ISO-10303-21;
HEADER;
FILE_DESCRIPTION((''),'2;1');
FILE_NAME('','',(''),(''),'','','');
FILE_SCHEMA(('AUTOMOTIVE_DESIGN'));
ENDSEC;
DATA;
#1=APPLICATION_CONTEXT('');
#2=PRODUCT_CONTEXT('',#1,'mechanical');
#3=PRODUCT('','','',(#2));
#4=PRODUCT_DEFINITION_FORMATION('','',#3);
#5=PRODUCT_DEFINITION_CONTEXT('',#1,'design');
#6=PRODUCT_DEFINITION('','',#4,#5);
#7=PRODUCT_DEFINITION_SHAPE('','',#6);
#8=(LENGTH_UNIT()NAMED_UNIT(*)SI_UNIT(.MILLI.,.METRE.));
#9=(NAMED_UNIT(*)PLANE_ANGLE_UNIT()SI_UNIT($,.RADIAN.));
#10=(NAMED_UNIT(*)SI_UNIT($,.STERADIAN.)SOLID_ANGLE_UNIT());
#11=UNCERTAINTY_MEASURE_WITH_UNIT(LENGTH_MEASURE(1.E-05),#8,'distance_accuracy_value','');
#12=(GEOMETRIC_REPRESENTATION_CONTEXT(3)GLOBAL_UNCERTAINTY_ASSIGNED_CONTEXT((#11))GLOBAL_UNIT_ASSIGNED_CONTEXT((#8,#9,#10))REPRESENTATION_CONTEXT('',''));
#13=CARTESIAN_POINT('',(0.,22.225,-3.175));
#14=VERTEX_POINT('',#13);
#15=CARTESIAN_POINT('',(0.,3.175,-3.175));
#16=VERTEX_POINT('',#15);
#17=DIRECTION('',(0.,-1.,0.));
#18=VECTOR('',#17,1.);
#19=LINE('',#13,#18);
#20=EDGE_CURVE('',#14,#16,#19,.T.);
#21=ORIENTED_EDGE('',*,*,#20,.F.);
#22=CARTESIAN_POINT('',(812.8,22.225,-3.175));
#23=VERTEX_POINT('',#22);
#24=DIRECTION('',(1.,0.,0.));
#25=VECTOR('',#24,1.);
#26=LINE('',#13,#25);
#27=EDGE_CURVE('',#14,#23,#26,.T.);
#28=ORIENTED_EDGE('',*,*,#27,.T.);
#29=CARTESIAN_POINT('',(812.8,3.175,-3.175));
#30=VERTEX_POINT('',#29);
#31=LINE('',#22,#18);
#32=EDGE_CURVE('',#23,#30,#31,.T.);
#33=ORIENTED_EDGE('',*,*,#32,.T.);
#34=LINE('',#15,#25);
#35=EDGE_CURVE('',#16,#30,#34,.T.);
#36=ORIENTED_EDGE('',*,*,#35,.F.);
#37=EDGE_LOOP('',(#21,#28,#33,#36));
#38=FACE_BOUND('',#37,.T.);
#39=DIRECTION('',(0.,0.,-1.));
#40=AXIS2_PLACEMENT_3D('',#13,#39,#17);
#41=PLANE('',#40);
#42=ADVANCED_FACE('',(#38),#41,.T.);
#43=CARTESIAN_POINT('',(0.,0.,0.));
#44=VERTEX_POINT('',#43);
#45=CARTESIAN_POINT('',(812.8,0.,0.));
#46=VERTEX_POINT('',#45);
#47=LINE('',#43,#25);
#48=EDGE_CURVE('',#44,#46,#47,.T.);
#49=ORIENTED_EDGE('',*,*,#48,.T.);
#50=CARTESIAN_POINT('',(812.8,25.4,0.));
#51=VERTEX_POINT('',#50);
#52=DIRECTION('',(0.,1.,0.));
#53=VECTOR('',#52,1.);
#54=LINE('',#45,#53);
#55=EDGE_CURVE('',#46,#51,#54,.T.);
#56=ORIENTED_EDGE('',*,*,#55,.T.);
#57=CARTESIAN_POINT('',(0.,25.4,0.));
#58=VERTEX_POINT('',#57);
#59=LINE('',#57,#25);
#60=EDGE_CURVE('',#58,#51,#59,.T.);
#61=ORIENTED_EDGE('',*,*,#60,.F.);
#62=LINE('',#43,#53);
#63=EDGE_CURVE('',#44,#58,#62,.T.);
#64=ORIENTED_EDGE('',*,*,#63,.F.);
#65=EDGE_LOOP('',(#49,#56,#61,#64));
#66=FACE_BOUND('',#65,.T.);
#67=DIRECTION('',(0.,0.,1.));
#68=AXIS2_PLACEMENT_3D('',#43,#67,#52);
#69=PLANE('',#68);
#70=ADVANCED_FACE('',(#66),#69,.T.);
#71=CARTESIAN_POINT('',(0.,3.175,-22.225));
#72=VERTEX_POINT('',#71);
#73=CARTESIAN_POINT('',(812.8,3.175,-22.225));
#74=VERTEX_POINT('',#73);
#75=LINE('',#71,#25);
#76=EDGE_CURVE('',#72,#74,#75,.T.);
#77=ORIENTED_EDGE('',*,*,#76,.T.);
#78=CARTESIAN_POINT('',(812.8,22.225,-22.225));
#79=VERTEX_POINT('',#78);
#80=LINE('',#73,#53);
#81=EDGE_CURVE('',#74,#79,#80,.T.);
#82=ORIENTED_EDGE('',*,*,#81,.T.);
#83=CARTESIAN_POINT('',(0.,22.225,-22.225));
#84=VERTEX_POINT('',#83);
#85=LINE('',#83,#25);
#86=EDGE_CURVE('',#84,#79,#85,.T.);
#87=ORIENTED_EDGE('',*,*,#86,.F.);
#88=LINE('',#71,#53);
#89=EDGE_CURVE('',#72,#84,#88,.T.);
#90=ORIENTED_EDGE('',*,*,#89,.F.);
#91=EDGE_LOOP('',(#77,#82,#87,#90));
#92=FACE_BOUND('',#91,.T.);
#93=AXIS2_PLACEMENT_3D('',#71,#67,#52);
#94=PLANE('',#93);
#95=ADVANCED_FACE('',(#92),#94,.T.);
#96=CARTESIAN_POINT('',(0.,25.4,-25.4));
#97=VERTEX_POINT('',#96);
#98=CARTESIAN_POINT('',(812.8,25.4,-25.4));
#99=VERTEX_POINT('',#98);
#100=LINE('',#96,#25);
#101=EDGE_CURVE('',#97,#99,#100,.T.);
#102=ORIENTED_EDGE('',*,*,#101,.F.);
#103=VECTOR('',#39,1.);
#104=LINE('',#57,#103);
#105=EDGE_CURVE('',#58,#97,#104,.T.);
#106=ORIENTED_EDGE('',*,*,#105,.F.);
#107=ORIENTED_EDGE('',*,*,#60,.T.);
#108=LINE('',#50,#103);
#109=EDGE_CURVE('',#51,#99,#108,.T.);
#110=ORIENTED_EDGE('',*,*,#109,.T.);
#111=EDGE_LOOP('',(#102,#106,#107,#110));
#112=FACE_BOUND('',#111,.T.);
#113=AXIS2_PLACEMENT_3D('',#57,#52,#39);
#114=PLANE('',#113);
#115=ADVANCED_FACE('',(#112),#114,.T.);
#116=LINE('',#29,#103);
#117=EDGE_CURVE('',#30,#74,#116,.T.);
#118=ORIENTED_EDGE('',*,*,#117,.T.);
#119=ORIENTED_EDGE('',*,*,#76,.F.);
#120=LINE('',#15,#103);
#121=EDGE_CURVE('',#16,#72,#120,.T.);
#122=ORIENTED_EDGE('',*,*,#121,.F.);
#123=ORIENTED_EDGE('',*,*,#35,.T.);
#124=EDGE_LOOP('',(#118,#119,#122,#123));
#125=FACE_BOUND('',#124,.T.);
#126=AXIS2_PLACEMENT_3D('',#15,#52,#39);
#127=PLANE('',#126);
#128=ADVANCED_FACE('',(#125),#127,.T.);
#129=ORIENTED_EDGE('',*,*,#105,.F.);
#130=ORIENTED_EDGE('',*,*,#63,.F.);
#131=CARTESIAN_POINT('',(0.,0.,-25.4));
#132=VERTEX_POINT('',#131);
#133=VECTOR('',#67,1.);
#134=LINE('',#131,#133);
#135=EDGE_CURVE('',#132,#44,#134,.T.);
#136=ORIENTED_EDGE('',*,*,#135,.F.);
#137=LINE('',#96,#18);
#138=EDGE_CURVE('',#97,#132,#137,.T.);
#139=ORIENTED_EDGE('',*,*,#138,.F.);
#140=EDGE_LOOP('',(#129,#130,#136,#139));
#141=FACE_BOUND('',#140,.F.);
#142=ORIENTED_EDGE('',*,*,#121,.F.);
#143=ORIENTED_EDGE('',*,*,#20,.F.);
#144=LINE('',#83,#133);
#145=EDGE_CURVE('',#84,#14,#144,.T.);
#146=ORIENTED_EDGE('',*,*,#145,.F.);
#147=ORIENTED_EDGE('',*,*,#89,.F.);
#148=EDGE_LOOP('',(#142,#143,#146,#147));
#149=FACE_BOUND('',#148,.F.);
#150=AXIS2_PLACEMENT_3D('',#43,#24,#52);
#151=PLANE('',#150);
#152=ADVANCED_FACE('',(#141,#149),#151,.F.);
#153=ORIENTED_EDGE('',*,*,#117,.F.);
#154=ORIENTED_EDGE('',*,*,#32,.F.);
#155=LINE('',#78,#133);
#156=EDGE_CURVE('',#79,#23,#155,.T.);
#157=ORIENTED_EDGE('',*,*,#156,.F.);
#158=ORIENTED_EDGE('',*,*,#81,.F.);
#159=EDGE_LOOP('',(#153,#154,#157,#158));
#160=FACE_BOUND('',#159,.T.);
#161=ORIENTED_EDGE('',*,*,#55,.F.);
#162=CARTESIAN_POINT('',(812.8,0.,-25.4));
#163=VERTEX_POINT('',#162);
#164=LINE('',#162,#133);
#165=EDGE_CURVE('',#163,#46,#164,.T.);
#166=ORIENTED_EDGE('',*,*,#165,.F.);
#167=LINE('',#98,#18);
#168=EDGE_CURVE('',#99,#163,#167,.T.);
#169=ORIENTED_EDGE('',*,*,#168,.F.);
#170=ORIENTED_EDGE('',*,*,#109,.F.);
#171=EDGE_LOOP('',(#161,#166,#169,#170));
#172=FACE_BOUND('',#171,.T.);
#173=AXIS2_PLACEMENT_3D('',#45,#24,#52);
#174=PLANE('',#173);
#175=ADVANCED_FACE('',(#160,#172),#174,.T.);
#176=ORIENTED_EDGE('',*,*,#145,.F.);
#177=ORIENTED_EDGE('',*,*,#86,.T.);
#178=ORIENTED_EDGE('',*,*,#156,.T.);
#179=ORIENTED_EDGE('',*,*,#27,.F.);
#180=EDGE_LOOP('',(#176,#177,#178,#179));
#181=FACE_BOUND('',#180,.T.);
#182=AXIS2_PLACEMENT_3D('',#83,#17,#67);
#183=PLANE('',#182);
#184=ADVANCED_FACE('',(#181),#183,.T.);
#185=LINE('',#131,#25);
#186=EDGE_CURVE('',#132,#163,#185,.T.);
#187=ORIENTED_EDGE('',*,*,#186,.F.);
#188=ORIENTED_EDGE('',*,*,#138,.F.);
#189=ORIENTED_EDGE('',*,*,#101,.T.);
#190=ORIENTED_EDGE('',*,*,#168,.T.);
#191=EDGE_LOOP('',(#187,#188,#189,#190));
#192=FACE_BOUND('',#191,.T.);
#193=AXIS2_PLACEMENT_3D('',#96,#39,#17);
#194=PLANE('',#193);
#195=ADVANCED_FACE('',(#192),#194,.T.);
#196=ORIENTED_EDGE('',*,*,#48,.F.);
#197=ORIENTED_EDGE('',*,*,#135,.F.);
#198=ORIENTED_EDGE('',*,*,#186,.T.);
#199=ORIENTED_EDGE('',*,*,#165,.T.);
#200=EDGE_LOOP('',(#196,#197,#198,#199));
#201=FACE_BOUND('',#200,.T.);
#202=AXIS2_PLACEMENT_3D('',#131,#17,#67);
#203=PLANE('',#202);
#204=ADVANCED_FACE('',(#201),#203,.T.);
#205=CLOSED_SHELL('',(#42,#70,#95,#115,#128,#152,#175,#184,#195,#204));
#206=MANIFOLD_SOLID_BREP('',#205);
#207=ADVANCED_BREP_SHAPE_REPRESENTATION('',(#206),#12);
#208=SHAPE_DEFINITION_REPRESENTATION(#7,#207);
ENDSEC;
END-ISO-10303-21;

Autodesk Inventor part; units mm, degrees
ref_plane "YZ Plane" through (0, 0, 0) normal (1, 0, 0) x (0, 1, 0)
ref_plane "XZ Plane" through (0, 0, 0) normal (0, 1, 0) x (-1, 0, 0)
ref_plane "XY Plane" through (0, 0, 0) normal (0, 0, 1) x (1, 0, 0)
sketch "Sketch1" plane through (0, 0, 0) normal (1, 0, 0) x (0, 1, 0)
  line L0 (0, 0) -> (25.4, 0)
  line L1 (25.4, 0) -> (25.4, -25.4)
  line L2 (25.4, -25.4) -> (0, -25.4)
  line L3 (0, -25.4) -> (0, 0)
  line L4 (22.225, -22.225) -> (22.225, -3.175)
  line L5 (22.225, -3.175) -> (3.175, -3.175)
  line L6 (3.175, -3.175) -> (3.175, -22.225)
  line L7 (3.175, -22.225) -> (22.225, -22.225)
  dimension "d0" = 25.4
  dimension "d1" = 25.4
  dimension "d2" = 3.175
extrude "Extrusion1" add sketch "Sketch1" along normal blind 812.8
properties part number "32inchbumberbar" material "Aluminum 6061"
